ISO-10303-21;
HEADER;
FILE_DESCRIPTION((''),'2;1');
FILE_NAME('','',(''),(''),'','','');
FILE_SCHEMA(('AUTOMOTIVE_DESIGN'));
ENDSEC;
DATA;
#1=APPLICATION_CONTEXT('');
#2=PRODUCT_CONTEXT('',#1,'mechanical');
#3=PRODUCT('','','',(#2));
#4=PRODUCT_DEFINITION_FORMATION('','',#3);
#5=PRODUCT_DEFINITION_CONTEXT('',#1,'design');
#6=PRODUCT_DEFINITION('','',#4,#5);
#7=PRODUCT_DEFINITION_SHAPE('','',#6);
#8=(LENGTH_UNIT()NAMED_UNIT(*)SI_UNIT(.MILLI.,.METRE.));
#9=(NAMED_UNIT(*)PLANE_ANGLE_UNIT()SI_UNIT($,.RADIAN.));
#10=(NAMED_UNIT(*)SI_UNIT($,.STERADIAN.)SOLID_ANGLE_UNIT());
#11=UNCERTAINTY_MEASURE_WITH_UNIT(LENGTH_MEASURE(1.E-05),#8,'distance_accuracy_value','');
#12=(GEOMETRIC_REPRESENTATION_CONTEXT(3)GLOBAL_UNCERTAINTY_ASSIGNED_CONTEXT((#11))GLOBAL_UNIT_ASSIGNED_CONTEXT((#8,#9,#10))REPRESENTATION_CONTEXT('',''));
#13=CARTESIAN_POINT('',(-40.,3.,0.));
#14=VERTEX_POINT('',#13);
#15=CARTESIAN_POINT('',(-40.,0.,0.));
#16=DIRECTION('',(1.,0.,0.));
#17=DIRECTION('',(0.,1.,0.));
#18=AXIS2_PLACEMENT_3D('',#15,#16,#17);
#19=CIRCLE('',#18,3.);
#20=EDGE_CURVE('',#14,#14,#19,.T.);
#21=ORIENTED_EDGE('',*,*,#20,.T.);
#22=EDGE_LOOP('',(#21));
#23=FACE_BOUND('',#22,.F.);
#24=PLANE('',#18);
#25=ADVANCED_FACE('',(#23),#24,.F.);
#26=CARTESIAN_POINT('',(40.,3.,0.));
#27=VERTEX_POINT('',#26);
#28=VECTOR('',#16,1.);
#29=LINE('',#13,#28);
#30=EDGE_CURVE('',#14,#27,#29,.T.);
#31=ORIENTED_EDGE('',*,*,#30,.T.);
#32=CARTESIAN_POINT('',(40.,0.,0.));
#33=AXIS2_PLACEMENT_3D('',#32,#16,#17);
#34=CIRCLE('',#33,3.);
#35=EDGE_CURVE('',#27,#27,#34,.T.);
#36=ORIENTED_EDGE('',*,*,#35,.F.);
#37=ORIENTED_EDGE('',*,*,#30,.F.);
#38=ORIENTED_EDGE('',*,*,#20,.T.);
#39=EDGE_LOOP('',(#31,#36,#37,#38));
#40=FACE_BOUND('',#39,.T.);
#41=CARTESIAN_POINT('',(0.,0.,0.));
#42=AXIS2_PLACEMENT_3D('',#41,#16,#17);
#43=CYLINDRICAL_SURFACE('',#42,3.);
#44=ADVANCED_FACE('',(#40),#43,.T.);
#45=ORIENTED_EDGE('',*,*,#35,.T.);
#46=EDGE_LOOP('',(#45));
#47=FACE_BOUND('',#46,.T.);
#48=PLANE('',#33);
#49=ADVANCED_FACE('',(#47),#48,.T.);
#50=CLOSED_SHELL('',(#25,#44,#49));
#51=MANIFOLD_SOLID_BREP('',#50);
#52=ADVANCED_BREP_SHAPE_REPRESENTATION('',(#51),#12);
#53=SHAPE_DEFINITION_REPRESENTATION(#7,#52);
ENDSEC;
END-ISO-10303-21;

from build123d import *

# Parameters (mm, degrees)
SKETCH_R  = 3
PAD_DEPTH = 40


with BuildPart() as part:
    # Sketch → Pad (new body, symmetric)
    with BuildSketch(Plane.YZ):
        Circle(SKETCH_R)
    extrude(amount=PAD_DEPTH, both=True)


solid = part.part
